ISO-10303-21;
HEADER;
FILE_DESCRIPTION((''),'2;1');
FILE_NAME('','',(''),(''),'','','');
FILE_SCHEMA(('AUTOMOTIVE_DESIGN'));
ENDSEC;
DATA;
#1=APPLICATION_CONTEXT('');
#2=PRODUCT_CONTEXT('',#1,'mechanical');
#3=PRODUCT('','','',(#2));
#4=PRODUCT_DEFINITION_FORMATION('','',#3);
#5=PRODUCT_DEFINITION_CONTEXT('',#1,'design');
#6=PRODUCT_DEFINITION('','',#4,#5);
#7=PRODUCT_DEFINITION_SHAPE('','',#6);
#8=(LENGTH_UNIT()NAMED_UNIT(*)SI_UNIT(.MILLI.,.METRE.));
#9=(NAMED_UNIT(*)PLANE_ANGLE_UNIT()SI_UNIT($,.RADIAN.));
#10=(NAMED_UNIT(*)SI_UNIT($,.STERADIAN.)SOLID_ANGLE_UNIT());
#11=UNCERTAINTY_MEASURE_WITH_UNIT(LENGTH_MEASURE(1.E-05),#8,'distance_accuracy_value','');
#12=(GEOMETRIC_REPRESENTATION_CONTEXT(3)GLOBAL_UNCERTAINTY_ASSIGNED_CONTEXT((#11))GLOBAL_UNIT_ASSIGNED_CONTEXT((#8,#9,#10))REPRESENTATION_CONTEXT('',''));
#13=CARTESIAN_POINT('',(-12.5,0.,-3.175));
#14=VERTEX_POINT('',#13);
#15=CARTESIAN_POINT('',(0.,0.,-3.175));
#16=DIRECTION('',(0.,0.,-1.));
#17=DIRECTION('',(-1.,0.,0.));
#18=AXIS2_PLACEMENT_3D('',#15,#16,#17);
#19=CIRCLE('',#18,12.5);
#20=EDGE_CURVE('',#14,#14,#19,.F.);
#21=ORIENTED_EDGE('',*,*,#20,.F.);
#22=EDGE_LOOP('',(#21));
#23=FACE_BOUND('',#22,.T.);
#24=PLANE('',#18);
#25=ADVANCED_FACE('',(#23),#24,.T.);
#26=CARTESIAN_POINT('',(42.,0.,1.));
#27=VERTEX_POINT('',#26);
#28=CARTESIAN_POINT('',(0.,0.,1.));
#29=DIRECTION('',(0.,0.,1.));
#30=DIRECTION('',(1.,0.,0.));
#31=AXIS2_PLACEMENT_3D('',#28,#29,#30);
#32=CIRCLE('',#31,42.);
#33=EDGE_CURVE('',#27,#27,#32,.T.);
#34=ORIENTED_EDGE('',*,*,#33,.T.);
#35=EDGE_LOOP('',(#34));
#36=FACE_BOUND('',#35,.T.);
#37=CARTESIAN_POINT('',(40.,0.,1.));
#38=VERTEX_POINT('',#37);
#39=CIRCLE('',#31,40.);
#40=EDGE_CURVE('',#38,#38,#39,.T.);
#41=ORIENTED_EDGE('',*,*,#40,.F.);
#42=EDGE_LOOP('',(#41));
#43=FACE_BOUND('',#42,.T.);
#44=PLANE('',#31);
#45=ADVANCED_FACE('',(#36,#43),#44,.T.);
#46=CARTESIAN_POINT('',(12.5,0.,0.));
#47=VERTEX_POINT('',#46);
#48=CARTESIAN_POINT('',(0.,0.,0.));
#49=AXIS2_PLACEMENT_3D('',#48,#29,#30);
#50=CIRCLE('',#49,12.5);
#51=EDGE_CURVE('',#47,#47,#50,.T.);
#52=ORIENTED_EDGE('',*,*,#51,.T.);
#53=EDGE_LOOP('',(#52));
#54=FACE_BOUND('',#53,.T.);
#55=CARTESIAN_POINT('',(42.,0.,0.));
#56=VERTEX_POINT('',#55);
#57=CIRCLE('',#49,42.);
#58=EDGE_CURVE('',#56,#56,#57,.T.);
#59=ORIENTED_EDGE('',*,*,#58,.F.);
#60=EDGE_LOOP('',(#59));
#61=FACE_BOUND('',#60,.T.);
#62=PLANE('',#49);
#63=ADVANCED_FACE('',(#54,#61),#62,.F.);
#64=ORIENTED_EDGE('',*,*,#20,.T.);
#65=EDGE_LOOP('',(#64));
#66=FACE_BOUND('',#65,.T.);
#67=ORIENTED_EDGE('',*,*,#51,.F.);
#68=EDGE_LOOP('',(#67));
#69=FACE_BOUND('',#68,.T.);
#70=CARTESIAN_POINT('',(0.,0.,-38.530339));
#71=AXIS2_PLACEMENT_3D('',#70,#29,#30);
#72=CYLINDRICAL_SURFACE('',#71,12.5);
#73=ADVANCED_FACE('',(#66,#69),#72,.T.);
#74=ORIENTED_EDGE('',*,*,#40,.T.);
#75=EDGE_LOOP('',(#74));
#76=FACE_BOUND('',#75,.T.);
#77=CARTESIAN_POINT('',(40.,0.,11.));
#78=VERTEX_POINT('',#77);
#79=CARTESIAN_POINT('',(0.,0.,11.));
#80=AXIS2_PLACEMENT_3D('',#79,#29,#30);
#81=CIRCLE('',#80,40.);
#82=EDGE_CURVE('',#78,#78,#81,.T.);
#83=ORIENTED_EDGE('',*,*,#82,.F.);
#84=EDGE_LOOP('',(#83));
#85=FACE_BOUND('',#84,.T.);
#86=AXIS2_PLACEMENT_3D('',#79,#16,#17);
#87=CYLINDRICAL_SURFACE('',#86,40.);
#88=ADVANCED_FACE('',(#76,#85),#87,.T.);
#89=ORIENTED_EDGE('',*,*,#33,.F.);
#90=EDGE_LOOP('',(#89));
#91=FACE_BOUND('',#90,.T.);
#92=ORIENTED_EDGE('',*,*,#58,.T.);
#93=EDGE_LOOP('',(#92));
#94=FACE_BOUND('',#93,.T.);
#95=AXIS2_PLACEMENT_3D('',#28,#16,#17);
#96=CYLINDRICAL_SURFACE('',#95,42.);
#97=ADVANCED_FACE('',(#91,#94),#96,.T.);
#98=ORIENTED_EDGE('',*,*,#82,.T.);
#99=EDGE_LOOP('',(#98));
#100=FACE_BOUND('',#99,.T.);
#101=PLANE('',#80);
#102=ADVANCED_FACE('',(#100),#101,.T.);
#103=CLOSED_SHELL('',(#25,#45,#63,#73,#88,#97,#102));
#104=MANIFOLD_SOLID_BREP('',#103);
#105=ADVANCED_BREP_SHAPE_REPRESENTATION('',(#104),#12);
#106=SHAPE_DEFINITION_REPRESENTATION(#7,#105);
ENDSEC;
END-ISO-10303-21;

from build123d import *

# Parameters (mm, degrees)
SKETCH1_R           = 12.5
BOSS_EXTRUDE1_DEPTH = 3.175
SKETCH2_R           = 42
BOSS_EXTRUDE2_DEPTH = 1
SKETCH3_R           = 40
BOSS_EXTRUDE3_DEPTH = 10


with BuildPart() as part:
    # Sketch1 → Boss-Extrude1 (new body)
    with BuildSketch(Plane.XY):
        Circle(SKETCH1_R)
    extrude(amount=-BOSS_EXTRUDE1_DEPTH)

    # Sketch2 → Boss-Extrude2 (add)
    with BuildSketch(Plane.XY):
        Circle(SKETCH2_R)
    extrude(amount=BOSS_EXTRUDE2_DEPTH)

    # Sketch3 → Boss-Extrude3 (add)
    with BuildSketch(Plane.XY.offset(1)):
        Circle(SKETCH3_R)
    extrude(amount=BOSS_EXTRUDE3_DEPTH)


solid = part.part
